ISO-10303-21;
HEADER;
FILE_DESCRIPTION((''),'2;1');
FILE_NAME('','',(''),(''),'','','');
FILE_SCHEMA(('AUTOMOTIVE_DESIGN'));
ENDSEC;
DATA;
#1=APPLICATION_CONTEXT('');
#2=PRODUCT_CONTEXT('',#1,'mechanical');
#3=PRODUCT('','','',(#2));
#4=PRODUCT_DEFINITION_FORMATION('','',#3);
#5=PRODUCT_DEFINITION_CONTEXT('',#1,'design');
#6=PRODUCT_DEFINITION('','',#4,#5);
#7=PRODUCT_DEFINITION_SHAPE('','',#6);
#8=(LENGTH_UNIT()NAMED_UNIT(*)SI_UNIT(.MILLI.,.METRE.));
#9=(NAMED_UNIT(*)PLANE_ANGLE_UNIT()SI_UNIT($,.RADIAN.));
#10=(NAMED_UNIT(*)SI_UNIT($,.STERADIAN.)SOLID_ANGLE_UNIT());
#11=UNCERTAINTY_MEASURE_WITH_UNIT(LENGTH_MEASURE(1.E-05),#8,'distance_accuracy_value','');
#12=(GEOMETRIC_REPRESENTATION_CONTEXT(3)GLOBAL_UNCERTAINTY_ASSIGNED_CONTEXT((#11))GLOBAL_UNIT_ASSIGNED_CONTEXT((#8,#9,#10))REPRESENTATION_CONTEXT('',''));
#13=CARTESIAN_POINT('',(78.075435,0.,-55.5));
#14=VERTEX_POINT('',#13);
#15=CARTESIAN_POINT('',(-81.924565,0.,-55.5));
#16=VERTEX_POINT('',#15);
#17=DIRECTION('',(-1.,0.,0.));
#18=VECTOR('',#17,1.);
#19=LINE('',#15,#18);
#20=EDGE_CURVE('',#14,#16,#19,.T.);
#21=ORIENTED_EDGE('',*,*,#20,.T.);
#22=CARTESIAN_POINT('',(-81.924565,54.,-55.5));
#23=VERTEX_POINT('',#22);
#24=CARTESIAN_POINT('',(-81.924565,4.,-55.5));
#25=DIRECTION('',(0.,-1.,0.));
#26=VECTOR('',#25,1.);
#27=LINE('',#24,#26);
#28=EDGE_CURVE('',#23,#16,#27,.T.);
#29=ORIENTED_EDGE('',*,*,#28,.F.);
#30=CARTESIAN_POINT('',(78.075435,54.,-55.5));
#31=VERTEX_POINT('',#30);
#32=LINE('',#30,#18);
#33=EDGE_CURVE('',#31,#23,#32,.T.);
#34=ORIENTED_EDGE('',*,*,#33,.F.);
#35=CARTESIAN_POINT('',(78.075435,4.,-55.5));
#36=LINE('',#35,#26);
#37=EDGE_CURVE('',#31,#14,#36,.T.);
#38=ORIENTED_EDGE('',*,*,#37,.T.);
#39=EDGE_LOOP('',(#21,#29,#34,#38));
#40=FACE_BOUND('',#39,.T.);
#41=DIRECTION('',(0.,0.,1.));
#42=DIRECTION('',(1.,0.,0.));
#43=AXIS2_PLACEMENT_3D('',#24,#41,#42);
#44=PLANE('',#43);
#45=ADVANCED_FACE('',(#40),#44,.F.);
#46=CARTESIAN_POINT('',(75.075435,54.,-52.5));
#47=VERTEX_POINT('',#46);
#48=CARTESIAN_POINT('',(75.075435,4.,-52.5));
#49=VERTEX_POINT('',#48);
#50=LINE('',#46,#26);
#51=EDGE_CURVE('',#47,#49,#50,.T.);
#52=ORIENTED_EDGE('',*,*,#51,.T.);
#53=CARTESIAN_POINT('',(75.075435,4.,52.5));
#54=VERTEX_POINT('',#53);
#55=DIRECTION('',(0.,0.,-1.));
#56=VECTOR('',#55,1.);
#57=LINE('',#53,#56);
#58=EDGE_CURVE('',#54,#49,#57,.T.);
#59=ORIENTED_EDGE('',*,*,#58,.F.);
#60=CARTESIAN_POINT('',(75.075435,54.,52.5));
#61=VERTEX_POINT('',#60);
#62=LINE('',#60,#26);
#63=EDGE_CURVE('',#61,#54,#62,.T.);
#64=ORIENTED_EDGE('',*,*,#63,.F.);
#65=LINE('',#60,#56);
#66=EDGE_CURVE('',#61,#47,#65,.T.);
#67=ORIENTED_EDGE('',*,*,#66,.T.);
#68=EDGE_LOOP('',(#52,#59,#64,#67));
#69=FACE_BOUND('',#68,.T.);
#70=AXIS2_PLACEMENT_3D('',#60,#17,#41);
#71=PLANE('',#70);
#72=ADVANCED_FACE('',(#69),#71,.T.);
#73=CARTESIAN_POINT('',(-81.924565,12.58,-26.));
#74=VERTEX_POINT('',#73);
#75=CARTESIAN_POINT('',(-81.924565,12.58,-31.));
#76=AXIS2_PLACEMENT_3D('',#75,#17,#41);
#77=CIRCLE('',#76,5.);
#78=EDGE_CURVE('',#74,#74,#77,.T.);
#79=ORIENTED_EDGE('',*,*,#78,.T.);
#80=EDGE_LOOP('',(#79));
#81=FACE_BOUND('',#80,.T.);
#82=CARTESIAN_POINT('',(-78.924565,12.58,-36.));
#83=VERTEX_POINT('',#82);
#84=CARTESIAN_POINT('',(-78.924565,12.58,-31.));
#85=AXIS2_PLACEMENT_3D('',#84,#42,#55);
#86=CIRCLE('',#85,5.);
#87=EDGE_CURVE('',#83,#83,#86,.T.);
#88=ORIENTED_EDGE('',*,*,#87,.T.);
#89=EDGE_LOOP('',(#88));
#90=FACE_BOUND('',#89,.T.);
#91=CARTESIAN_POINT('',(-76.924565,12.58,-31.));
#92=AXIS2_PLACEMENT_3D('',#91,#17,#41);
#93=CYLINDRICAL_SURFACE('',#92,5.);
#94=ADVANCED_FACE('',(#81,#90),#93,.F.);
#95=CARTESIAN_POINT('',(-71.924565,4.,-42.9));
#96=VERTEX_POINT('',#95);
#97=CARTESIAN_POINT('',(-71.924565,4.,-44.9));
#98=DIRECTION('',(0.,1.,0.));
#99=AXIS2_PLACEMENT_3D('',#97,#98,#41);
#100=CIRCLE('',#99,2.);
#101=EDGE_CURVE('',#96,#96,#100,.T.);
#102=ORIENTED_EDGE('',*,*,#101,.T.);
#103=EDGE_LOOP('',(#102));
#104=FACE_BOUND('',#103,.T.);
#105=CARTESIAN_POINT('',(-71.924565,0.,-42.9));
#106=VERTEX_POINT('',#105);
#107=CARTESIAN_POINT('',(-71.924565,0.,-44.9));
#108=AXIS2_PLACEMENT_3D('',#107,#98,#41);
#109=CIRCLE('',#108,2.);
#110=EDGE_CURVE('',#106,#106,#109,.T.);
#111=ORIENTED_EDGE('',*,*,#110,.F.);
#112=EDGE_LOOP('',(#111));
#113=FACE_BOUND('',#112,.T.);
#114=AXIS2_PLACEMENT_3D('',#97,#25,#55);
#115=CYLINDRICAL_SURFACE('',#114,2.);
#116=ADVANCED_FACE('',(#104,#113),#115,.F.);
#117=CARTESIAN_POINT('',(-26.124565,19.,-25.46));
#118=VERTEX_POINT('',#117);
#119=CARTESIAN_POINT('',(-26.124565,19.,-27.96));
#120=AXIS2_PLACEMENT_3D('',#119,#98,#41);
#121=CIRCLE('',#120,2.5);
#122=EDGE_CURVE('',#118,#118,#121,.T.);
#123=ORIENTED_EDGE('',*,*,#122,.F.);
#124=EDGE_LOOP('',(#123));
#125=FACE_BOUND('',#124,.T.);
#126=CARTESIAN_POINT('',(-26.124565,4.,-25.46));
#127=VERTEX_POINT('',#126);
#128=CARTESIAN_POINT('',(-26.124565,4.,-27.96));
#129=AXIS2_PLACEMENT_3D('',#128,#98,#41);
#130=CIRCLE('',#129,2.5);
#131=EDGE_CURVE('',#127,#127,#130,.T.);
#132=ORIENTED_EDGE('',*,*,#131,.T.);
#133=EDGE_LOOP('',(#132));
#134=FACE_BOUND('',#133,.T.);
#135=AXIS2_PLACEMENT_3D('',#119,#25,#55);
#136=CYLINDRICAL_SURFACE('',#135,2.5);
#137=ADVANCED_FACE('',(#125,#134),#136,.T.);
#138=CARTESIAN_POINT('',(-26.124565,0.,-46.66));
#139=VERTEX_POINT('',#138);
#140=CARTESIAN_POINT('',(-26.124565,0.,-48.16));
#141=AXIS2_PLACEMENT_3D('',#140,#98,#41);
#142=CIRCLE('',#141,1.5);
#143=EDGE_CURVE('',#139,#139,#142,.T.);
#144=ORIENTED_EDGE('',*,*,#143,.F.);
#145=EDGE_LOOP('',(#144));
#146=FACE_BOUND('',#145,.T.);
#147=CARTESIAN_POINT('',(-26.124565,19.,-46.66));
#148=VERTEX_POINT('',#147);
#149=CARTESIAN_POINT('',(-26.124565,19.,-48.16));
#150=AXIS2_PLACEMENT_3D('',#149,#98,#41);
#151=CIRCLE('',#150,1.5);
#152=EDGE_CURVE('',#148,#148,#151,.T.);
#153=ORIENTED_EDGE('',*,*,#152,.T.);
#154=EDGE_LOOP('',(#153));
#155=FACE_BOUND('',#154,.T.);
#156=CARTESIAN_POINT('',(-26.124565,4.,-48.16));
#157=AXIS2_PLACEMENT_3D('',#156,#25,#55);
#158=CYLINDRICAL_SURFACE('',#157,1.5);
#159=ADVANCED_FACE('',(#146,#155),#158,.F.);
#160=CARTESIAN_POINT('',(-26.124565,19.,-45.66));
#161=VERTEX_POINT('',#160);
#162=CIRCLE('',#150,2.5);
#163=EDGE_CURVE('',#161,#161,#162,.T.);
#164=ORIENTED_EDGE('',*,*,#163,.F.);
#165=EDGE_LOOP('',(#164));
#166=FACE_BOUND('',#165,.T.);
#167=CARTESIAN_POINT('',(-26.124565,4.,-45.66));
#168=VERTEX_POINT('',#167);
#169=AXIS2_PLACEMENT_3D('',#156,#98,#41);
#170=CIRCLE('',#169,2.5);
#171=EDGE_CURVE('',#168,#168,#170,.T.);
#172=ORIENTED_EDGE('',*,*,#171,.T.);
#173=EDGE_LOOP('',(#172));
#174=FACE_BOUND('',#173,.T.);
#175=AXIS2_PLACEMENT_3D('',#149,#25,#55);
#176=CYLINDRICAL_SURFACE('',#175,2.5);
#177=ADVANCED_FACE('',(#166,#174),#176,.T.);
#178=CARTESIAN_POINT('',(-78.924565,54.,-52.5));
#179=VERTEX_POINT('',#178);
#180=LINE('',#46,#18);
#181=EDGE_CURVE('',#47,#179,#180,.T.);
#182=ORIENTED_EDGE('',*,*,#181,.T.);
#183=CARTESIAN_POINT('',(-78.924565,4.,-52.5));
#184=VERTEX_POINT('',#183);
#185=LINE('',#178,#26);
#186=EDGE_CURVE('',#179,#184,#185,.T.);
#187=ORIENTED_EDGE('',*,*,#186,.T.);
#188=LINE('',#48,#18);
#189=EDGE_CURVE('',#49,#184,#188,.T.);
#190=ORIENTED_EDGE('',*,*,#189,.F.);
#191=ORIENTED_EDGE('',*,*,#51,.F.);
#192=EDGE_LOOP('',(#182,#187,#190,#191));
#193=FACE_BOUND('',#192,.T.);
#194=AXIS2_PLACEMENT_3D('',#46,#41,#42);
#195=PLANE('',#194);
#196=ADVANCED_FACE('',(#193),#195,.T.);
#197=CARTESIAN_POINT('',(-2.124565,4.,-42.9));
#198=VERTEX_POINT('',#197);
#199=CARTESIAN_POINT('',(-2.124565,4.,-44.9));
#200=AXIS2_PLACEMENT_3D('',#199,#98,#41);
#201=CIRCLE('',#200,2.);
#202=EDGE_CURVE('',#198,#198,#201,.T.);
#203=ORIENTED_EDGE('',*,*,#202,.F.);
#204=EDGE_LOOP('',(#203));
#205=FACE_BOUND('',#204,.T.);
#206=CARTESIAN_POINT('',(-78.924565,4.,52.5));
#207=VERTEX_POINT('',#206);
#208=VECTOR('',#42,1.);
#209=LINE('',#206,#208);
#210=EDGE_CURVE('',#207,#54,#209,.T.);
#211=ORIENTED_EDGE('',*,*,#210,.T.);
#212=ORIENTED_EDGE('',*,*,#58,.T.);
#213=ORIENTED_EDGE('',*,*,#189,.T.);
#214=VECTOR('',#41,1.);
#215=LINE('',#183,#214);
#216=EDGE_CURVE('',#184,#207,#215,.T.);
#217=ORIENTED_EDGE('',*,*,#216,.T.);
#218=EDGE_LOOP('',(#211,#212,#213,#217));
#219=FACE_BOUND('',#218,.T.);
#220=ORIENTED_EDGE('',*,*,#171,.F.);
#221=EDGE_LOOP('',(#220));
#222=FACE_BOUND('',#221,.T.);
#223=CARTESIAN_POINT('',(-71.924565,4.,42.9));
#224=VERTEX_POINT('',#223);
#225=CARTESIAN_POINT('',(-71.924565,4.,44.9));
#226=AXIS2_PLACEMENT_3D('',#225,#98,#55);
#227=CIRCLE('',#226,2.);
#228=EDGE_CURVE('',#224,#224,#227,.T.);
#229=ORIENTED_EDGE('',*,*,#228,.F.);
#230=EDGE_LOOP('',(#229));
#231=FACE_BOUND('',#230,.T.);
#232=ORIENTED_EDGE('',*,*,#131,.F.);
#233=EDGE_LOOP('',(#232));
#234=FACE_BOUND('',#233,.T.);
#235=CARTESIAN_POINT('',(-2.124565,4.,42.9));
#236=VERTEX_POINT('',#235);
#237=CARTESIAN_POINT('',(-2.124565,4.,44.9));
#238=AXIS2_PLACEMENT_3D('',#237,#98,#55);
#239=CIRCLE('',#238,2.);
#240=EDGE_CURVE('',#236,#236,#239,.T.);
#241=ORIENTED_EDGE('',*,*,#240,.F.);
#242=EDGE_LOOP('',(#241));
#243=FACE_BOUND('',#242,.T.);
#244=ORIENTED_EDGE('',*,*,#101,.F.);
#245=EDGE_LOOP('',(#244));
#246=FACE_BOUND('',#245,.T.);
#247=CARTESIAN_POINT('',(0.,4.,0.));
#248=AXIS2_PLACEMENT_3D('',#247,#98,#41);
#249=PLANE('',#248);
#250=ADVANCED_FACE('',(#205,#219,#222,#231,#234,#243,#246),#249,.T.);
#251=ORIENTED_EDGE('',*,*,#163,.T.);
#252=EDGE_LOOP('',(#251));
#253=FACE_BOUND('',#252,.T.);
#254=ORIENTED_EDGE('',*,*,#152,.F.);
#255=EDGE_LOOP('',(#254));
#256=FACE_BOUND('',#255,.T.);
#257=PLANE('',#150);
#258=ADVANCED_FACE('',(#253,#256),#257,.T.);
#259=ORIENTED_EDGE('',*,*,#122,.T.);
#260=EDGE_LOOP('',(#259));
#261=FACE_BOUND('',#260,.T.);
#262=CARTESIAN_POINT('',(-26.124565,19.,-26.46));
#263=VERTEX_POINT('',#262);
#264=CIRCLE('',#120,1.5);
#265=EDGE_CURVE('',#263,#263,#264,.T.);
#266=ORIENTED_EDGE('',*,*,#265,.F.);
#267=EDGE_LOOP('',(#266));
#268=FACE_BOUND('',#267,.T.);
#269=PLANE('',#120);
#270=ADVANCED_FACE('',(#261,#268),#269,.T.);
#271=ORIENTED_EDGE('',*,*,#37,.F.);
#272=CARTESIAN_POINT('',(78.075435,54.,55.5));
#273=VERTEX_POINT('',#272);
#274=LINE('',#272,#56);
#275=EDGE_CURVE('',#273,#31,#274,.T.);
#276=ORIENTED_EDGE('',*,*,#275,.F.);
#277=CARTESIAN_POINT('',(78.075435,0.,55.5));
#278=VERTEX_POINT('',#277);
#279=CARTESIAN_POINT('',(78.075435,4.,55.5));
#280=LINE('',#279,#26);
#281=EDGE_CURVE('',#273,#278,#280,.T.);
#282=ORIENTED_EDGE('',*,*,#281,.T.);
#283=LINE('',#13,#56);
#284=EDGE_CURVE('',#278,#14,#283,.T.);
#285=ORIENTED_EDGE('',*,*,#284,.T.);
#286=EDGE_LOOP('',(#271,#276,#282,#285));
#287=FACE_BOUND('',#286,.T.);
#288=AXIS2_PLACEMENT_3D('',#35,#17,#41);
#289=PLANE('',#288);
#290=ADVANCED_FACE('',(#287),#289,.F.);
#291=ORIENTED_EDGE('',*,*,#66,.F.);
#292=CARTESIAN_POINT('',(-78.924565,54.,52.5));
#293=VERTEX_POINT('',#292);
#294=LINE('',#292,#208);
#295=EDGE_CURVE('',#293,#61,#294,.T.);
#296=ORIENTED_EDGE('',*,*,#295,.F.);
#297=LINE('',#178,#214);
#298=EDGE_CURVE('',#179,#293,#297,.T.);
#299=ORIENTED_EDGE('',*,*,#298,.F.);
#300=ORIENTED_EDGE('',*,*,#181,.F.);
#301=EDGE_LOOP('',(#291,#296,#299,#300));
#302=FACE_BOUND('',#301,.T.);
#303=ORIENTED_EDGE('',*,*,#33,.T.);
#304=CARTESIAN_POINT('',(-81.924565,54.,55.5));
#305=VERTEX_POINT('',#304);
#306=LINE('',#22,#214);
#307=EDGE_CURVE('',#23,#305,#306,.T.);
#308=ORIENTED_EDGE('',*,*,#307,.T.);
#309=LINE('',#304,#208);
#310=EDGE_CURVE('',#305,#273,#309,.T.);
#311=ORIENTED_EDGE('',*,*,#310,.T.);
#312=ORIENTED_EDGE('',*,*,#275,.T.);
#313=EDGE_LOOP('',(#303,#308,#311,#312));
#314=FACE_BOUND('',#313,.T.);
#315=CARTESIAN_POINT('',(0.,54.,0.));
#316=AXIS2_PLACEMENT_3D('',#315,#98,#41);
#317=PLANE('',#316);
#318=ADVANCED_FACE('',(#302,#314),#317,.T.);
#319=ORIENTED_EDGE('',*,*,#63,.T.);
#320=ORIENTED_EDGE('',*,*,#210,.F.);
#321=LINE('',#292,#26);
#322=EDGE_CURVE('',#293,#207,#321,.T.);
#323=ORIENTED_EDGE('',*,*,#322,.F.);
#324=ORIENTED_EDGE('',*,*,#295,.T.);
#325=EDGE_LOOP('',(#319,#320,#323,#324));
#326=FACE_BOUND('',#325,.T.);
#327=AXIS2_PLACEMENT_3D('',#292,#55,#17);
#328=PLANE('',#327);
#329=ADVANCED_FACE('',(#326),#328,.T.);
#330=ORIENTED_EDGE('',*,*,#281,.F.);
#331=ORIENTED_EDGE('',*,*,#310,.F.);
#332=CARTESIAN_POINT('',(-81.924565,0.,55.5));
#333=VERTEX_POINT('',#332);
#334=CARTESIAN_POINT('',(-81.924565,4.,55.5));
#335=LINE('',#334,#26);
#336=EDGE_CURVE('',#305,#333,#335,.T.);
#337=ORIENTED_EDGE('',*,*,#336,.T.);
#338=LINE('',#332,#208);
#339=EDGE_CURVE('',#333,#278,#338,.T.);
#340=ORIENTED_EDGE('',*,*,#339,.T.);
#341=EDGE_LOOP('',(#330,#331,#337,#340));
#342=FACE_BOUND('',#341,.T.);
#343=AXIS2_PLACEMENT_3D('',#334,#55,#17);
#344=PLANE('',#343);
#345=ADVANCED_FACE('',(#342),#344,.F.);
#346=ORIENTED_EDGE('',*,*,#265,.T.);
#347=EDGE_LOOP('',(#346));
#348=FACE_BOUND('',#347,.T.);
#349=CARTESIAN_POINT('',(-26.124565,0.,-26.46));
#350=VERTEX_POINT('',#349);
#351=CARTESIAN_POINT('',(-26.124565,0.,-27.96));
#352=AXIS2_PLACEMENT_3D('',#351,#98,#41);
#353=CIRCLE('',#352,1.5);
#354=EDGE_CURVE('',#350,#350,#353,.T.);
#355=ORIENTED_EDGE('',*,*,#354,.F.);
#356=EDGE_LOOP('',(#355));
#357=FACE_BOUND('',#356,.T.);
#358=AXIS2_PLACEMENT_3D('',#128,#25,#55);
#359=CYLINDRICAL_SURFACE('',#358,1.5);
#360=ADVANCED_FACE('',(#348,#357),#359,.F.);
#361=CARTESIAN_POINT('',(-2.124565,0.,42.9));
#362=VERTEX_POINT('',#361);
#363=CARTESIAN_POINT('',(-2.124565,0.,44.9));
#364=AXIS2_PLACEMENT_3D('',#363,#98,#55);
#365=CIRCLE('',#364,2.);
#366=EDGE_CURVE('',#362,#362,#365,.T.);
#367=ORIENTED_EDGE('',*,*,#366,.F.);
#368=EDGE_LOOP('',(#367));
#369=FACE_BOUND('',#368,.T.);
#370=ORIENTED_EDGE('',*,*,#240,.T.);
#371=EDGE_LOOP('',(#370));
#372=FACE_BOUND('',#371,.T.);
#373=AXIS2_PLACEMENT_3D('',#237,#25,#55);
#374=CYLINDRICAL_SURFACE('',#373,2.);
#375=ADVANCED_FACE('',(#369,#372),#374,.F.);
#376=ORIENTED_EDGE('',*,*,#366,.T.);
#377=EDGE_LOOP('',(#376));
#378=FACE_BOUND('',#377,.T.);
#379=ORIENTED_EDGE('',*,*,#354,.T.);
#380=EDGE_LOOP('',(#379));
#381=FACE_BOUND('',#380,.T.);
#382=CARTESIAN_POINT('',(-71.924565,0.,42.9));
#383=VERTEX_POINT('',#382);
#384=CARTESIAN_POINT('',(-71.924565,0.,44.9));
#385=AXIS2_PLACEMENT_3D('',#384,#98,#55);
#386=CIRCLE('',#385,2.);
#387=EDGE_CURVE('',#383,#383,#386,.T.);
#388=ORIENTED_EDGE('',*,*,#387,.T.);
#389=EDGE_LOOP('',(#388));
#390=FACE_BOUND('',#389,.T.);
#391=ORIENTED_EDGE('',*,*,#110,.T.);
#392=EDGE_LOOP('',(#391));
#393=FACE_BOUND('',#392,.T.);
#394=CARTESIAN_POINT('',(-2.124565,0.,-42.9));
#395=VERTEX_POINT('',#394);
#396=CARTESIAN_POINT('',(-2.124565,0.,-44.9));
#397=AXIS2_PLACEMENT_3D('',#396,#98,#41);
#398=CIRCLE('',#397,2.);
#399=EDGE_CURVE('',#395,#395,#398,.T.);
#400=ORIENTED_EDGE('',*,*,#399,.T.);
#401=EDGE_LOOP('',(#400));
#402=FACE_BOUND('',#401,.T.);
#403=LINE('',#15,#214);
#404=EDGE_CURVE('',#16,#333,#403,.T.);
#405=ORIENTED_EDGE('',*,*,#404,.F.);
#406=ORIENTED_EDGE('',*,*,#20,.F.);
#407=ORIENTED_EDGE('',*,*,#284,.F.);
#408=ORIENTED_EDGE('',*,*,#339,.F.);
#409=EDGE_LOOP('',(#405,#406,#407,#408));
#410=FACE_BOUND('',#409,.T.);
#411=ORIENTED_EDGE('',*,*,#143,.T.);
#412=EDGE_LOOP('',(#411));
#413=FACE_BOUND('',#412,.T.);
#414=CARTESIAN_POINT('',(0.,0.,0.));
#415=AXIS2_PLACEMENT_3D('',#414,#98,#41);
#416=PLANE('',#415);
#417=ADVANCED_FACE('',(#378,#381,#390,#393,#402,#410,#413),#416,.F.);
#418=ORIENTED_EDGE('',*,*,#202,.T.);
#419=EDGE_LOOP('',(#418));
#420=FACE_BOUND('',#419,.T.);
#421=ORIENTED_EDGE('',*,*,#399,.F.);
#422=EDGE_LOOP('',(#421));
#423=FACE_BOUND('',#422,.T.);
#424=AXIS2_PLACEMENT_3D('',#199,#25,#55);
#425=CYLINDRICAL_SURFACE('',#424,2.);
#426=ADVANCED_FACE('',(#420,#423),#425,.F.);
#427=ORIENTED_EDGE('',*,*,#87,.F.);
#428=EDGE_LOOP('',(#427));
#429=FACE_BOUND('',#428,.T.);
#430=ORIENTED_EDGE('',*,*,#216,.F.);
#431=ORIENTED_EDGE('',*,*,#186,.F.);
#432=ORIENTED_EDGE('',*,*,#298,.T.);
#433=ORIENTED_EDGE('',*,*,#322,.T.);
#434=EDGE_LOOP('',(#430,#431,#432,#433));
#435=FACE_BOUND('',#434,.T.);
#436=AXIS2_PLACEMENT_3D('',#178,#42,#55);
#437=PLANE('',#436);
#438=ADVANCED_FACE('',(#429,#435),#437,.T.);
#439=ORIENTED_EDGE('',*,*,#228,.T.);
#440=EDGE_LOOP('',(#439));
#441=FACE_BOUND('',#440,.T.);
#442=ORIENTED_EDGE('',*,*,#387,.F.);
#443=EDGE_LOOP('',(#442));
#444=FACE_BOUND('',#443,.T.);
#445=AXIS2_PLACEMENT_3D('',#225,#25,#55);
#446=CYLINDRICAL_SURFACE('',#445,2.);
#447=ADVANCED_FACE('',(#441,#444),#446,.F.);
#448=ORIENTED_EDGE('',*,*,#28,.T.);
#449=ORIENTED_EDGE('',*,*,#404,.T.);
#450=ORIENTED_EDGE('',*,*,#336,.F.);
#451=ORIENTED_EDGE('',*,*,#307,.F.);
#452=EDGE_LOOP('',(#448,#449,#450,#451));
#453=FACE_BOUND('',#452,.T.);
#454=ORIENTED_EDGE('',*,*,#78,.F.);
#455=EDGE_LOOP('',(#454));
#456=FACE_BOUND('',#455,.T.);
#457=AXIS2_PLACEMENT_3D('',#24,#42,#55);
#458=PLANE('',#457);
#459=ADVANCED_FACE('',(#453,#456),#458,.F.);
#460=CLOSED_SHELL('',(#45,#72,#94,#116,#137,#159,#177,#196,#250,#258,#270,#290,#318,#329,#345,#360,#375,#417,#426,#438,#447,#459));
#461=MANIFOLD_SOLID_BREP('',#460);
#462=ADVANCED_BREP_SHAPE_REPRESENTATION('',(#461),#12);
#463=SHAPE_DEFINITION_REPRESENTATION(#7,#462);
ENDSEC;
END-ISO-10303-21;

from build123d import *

# Parameters (mm, degrees)
SKETCH_1_W          = 160
SKETCH_1_H          = 111
SKETCH_1_R          = 2
SKETCH_1_R_2        = 1.5
EXTRUDE_1_DEPTH     = 4
SKETCH_2_W          = 160
SKETCH_2_H          = 111
SKETCH_2_W_2        = 154
SKETCH_2_H_2        = 105
EXTRUDE_4_DEPTH     = 50
SKETCH_3_R          = 2.5
SKETCH_3_R_2        = 1.5
EXTRUDE_5_DEPTH     = 15
SKETCH_4_R          = 5
CUT_EXTRUDE_1_DEPTH = 5


with BuildPart() as part:
    # 草图1 → 凸台-拉伸1 (new body)
    with BuildSketch(Plane(origin=(0, 0, 0), x_dir=(1, 0, 0), z_dir=(0, 1, 0))):
        with Locations((-1.924564797, 0)):
            Rectangle(SKETCH_1_W, SKETCH_1_H)
        with Locations(Location((-71.924564797, 44.9, 0), (0, 0, 270))):
            Circle(SKETCH_1_R, mode=Mode.SUBTRACT)
        with Locations(Location((-71.924564797, -44.9, 0), (0, 0, 90))):
            Circle(SKETCH_1_R, mode=Mode.SUBTRACT)
        with Locations(Location((-2.124564797, 44.9, 0), (0, 0, 270))):
            Circle(SKETCH_1_R, mode=Mode.SUBTRACT)
        with Locations(Location((-2.124564797, -44.9, 0), (0, 0, 90))):
            Circle(SKETCH_1_R, mode=Mode.SUBTRACT)
        with Locations(Location((-26.124564797, 48.16, 0), (0, 0, 270))):
            Circle(SKETCH_1_R_2, mode=Mode.SUBTRACT)
        with Locations(Location((-26.124564797, 27.96, 0), (0, 0, 270))):
            Circle(SKETCH_1_R_2, mode=Mode.SUBTRACT)
    extrude(amount=EXTRUDE_1_DEPTH)



with BuildPart() as body_2:
    # 草图2 → 凸台-拉伸4 (new body)
    with BuildSketch(Plane(origin=(0, 4, 0), x_dir=(1, 0, 0), z_dir=(0, 1, 0))):
        with Locations((-1.924564797, 0)):
            Rectangle(SKETCH_2_W, SKETCH_2_H)
        with Locations((-1.924564797, 0)):
            Rectangle(SKETCH_2_W_2, SKETCH_2_H_2, mode=Mode.SUBTRACT)
    extrude(amount=EXTRUDE_4_DEPTH)


with BuildPart() as part_1:
    add(part.part)

    add(body_2.part)  # 凸台-拉伸5 merges body 2
    # 草图3 → 凸台-拉伸5 (add)
    # profile 1 of 2: a face of its own
    with BuildSketch(Plane(origin=(0, 4, 0), x_dir=(1, 0, 0), z_dir=(0, 1, 0))):
        with Locations(Location((-26.124564797, 48.16, 0), (0, 0, 270))):
            Circle(SKETCH_3_R)
        with Locations(Location((-26.124564797, 48.16, 0), (0, 0, 270))):
            Circle(SKETCH_3_R_2, mode=Mode.SUBTRACT)
    # profile 2 of 2: a face of its own
    with BuildSketch(Plane(origin=(0, 4, 0), x_dir=(1, 0, 0), z_dir=(0, 1, 0))):
        with Locations(Location((-26.124564797, 27.96, 0), (0, 0, 270))):
            Circle(SKETCH_3_R)
        with Locations(Location((-26.124564797, 27.96, 0), (0, 0, 270))):
            Circle(SKETCH_3_R_2, mode=Mode.SUBTRACT)
    extrude(amount=EXTRUDE_5_DEPTH)

    # 草图4 → 切除-拉伸1 (cut)
    with BuildSketch(Plane.ZY.offset(81.924564797)):
        with Locations((-31, 12.58)):
            Circle(SKETCH_4_R)
    extrude(amount=-CUT_EXTRUDE_1_DEPTH, mode=Mode.SUBTRACT)


solid = part_1.part
